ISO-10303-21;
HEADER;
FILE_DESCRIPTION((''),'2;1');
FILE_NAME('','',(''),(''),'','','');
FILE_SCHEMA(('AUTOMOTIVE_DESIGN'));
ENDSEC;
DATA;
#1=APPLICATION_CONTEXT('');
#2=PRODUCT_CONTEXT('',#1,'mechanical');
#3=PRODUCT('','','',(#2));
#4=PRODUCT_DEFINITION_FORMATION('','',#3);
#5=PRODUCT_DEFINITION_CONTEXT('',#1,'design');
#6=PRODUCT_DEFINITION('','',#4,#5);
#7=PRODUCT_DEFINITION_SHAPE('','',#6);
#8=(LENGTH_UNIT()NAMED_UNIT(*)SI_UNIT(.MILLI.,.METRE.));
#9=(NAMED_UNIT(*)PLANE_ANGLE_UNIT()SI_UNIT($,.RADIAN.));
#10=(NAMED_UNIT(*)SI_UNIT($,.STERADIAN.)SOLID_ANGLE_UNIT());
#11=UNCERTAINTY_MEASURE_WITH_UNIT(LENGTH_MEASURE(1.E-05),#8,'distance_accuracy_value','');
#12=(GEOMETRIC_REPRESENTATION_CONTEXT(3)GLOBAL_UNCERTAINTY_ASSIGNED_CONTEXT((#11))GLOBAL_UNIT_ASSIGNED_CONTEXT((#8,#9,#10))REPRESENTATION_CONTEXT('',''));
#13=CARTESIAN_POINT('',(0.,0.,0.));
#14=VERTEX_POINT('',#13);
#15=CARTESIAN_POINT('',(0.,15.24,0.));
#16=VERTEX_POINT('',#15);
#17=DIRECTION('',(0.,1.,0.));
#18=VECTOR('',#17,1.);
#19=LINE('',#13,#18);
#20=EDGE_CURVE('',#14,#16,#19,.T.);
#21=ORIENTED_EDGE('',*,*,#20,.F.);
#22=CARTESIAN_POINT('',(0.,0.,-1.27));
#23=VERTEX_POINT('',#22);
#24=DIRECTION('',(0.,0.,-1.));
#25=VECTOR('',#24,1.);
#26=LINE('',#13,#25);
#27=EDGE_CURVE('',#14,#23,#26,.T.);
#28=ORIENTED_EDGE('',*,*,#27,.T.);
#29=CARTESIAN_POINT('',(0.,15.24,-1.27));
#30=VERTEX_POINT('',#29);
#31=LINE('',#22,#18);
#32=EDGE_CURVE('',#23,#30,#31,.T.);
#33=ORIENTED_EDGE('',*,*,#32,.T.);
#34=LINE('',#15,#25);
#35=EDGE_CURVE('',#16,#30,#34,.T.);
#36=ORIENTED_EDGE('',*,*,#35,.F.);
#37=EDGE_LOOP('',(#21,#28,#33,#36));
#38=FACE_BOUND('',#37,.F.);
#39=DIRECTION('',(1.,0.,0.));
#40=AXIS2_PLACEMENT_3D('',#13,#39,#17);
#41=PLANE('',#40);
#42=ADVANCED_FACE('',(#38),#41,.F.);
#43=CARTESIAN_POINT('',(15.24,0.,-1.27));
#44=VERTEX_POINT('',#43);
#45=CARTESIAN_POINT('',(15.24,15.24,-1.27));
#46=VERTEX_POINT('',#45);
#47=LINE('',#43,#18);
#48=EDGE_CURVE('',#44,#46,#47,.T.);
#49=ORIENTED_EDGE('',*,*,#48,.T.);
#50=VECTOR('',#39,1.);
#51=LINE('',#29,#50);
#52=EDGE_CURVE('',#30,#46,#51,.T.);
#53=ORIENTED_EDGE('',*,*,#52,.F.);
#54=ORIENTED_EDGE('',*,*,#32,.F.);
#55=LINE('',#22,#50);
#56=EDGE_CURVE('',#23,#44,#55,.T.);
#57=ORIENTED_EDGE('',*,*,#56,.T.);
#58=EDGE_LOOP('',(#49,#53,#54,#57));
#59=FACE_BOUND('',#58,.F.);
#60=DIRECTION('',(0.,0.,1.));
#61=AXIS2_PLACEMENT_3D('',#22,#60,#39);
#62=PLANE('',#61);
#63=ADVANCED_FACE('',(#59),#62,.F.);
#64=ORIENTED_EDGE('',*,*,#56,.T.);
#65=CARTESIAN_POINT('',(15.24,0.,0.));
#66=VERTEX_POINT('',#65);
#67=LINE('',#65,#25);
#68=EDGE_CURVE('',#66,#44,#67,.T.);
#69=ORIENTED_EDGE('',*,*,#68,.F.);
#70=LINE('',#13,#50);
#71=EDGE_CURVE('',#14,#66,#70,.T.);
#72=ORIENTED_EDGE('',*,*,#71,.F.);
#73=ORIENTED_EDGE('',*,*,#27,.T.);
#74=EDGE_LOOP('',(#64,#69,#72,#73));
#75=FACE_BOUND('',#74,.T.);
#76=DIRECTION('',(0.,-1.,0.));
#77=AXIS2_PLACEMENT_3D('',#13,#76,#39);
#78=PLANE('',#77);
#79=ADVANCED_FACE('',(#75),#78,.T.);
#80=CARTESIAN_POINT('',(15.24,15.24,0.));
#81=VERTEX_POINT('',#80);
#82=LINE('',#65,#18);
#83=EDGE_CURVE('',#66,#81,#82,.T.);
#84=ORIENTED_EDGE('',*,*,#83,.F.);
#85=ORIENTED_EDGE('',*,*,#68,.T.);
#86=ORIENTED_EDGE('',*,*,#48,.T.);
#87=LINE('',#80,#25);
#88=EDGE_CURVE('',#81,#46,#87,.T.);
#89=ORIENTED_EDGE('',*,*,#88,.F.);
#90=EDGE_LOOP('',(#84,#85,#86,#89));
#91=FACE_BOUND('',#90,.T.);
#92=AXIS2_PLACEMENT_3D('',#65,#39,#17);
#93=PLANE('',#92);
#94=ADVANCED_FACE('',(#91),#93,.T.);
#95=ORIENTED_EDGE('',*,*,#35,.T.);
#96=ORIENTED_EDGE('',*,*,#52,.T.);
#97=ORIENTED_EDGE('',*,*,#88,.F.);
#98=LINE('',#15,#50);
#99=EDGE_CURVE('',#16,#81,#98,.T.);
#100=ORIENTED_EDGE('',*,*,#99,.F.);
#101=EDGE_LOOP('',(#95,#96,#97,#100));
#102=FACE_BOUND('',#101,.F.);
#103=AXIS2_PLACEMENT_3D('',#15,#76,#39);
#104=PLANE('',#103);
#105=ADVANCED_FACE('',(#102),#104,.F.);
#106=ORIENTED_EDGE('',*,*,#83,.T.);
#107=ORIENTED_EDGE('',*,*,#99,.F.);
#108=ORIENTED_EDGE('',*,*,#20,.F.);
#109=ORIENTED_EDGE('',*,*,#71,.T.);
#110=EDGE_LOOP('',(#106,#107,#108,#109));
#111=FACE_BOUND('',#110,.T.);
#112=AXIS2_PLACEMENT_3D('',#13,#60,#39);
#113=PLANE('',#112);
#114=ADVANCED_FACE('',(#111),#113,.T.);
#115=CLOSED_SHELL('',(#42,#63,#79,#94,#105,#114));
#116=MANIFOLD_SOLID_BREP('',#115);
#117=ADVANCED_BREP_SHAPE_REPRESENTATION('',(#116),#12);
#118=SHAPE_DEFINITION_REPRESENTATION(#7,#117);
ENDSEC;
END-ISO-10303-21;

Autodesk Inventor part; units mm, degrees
ref_plane "YZ Plane" through (0, 0, 0) normal (1, 0, 0) x (0, 1, 0)
ref_plane "XZ Plane" through (0, 0, 0) normal (0, 1, 0) x (-1, 0, 0)
ref_plane "XY Plane" through (0, 0, 0) normal (0, 0, 1) x (1, 0, 0)
sketch "Sketch1" plane through (0, 0, 0) normal (0, 0, 1) x (1, 0, 0)
  line L0 (0, 0) -> (15.24, 0)
  line L1 (0, 0) -> (0, 15.24)
  line L2 (15.24, 0) -> (15.24, 15.24)
  line L3 (0, 15.24) -> (15.24, 15.24)
  dimension "d0" = 15.24
  dimension "d1" = 15.24
  dimension "d2" = 15.24
extrude "Extrusion1" add sketch "Sketch1" against normal blind 1.27
properties part number "Table_Top"
